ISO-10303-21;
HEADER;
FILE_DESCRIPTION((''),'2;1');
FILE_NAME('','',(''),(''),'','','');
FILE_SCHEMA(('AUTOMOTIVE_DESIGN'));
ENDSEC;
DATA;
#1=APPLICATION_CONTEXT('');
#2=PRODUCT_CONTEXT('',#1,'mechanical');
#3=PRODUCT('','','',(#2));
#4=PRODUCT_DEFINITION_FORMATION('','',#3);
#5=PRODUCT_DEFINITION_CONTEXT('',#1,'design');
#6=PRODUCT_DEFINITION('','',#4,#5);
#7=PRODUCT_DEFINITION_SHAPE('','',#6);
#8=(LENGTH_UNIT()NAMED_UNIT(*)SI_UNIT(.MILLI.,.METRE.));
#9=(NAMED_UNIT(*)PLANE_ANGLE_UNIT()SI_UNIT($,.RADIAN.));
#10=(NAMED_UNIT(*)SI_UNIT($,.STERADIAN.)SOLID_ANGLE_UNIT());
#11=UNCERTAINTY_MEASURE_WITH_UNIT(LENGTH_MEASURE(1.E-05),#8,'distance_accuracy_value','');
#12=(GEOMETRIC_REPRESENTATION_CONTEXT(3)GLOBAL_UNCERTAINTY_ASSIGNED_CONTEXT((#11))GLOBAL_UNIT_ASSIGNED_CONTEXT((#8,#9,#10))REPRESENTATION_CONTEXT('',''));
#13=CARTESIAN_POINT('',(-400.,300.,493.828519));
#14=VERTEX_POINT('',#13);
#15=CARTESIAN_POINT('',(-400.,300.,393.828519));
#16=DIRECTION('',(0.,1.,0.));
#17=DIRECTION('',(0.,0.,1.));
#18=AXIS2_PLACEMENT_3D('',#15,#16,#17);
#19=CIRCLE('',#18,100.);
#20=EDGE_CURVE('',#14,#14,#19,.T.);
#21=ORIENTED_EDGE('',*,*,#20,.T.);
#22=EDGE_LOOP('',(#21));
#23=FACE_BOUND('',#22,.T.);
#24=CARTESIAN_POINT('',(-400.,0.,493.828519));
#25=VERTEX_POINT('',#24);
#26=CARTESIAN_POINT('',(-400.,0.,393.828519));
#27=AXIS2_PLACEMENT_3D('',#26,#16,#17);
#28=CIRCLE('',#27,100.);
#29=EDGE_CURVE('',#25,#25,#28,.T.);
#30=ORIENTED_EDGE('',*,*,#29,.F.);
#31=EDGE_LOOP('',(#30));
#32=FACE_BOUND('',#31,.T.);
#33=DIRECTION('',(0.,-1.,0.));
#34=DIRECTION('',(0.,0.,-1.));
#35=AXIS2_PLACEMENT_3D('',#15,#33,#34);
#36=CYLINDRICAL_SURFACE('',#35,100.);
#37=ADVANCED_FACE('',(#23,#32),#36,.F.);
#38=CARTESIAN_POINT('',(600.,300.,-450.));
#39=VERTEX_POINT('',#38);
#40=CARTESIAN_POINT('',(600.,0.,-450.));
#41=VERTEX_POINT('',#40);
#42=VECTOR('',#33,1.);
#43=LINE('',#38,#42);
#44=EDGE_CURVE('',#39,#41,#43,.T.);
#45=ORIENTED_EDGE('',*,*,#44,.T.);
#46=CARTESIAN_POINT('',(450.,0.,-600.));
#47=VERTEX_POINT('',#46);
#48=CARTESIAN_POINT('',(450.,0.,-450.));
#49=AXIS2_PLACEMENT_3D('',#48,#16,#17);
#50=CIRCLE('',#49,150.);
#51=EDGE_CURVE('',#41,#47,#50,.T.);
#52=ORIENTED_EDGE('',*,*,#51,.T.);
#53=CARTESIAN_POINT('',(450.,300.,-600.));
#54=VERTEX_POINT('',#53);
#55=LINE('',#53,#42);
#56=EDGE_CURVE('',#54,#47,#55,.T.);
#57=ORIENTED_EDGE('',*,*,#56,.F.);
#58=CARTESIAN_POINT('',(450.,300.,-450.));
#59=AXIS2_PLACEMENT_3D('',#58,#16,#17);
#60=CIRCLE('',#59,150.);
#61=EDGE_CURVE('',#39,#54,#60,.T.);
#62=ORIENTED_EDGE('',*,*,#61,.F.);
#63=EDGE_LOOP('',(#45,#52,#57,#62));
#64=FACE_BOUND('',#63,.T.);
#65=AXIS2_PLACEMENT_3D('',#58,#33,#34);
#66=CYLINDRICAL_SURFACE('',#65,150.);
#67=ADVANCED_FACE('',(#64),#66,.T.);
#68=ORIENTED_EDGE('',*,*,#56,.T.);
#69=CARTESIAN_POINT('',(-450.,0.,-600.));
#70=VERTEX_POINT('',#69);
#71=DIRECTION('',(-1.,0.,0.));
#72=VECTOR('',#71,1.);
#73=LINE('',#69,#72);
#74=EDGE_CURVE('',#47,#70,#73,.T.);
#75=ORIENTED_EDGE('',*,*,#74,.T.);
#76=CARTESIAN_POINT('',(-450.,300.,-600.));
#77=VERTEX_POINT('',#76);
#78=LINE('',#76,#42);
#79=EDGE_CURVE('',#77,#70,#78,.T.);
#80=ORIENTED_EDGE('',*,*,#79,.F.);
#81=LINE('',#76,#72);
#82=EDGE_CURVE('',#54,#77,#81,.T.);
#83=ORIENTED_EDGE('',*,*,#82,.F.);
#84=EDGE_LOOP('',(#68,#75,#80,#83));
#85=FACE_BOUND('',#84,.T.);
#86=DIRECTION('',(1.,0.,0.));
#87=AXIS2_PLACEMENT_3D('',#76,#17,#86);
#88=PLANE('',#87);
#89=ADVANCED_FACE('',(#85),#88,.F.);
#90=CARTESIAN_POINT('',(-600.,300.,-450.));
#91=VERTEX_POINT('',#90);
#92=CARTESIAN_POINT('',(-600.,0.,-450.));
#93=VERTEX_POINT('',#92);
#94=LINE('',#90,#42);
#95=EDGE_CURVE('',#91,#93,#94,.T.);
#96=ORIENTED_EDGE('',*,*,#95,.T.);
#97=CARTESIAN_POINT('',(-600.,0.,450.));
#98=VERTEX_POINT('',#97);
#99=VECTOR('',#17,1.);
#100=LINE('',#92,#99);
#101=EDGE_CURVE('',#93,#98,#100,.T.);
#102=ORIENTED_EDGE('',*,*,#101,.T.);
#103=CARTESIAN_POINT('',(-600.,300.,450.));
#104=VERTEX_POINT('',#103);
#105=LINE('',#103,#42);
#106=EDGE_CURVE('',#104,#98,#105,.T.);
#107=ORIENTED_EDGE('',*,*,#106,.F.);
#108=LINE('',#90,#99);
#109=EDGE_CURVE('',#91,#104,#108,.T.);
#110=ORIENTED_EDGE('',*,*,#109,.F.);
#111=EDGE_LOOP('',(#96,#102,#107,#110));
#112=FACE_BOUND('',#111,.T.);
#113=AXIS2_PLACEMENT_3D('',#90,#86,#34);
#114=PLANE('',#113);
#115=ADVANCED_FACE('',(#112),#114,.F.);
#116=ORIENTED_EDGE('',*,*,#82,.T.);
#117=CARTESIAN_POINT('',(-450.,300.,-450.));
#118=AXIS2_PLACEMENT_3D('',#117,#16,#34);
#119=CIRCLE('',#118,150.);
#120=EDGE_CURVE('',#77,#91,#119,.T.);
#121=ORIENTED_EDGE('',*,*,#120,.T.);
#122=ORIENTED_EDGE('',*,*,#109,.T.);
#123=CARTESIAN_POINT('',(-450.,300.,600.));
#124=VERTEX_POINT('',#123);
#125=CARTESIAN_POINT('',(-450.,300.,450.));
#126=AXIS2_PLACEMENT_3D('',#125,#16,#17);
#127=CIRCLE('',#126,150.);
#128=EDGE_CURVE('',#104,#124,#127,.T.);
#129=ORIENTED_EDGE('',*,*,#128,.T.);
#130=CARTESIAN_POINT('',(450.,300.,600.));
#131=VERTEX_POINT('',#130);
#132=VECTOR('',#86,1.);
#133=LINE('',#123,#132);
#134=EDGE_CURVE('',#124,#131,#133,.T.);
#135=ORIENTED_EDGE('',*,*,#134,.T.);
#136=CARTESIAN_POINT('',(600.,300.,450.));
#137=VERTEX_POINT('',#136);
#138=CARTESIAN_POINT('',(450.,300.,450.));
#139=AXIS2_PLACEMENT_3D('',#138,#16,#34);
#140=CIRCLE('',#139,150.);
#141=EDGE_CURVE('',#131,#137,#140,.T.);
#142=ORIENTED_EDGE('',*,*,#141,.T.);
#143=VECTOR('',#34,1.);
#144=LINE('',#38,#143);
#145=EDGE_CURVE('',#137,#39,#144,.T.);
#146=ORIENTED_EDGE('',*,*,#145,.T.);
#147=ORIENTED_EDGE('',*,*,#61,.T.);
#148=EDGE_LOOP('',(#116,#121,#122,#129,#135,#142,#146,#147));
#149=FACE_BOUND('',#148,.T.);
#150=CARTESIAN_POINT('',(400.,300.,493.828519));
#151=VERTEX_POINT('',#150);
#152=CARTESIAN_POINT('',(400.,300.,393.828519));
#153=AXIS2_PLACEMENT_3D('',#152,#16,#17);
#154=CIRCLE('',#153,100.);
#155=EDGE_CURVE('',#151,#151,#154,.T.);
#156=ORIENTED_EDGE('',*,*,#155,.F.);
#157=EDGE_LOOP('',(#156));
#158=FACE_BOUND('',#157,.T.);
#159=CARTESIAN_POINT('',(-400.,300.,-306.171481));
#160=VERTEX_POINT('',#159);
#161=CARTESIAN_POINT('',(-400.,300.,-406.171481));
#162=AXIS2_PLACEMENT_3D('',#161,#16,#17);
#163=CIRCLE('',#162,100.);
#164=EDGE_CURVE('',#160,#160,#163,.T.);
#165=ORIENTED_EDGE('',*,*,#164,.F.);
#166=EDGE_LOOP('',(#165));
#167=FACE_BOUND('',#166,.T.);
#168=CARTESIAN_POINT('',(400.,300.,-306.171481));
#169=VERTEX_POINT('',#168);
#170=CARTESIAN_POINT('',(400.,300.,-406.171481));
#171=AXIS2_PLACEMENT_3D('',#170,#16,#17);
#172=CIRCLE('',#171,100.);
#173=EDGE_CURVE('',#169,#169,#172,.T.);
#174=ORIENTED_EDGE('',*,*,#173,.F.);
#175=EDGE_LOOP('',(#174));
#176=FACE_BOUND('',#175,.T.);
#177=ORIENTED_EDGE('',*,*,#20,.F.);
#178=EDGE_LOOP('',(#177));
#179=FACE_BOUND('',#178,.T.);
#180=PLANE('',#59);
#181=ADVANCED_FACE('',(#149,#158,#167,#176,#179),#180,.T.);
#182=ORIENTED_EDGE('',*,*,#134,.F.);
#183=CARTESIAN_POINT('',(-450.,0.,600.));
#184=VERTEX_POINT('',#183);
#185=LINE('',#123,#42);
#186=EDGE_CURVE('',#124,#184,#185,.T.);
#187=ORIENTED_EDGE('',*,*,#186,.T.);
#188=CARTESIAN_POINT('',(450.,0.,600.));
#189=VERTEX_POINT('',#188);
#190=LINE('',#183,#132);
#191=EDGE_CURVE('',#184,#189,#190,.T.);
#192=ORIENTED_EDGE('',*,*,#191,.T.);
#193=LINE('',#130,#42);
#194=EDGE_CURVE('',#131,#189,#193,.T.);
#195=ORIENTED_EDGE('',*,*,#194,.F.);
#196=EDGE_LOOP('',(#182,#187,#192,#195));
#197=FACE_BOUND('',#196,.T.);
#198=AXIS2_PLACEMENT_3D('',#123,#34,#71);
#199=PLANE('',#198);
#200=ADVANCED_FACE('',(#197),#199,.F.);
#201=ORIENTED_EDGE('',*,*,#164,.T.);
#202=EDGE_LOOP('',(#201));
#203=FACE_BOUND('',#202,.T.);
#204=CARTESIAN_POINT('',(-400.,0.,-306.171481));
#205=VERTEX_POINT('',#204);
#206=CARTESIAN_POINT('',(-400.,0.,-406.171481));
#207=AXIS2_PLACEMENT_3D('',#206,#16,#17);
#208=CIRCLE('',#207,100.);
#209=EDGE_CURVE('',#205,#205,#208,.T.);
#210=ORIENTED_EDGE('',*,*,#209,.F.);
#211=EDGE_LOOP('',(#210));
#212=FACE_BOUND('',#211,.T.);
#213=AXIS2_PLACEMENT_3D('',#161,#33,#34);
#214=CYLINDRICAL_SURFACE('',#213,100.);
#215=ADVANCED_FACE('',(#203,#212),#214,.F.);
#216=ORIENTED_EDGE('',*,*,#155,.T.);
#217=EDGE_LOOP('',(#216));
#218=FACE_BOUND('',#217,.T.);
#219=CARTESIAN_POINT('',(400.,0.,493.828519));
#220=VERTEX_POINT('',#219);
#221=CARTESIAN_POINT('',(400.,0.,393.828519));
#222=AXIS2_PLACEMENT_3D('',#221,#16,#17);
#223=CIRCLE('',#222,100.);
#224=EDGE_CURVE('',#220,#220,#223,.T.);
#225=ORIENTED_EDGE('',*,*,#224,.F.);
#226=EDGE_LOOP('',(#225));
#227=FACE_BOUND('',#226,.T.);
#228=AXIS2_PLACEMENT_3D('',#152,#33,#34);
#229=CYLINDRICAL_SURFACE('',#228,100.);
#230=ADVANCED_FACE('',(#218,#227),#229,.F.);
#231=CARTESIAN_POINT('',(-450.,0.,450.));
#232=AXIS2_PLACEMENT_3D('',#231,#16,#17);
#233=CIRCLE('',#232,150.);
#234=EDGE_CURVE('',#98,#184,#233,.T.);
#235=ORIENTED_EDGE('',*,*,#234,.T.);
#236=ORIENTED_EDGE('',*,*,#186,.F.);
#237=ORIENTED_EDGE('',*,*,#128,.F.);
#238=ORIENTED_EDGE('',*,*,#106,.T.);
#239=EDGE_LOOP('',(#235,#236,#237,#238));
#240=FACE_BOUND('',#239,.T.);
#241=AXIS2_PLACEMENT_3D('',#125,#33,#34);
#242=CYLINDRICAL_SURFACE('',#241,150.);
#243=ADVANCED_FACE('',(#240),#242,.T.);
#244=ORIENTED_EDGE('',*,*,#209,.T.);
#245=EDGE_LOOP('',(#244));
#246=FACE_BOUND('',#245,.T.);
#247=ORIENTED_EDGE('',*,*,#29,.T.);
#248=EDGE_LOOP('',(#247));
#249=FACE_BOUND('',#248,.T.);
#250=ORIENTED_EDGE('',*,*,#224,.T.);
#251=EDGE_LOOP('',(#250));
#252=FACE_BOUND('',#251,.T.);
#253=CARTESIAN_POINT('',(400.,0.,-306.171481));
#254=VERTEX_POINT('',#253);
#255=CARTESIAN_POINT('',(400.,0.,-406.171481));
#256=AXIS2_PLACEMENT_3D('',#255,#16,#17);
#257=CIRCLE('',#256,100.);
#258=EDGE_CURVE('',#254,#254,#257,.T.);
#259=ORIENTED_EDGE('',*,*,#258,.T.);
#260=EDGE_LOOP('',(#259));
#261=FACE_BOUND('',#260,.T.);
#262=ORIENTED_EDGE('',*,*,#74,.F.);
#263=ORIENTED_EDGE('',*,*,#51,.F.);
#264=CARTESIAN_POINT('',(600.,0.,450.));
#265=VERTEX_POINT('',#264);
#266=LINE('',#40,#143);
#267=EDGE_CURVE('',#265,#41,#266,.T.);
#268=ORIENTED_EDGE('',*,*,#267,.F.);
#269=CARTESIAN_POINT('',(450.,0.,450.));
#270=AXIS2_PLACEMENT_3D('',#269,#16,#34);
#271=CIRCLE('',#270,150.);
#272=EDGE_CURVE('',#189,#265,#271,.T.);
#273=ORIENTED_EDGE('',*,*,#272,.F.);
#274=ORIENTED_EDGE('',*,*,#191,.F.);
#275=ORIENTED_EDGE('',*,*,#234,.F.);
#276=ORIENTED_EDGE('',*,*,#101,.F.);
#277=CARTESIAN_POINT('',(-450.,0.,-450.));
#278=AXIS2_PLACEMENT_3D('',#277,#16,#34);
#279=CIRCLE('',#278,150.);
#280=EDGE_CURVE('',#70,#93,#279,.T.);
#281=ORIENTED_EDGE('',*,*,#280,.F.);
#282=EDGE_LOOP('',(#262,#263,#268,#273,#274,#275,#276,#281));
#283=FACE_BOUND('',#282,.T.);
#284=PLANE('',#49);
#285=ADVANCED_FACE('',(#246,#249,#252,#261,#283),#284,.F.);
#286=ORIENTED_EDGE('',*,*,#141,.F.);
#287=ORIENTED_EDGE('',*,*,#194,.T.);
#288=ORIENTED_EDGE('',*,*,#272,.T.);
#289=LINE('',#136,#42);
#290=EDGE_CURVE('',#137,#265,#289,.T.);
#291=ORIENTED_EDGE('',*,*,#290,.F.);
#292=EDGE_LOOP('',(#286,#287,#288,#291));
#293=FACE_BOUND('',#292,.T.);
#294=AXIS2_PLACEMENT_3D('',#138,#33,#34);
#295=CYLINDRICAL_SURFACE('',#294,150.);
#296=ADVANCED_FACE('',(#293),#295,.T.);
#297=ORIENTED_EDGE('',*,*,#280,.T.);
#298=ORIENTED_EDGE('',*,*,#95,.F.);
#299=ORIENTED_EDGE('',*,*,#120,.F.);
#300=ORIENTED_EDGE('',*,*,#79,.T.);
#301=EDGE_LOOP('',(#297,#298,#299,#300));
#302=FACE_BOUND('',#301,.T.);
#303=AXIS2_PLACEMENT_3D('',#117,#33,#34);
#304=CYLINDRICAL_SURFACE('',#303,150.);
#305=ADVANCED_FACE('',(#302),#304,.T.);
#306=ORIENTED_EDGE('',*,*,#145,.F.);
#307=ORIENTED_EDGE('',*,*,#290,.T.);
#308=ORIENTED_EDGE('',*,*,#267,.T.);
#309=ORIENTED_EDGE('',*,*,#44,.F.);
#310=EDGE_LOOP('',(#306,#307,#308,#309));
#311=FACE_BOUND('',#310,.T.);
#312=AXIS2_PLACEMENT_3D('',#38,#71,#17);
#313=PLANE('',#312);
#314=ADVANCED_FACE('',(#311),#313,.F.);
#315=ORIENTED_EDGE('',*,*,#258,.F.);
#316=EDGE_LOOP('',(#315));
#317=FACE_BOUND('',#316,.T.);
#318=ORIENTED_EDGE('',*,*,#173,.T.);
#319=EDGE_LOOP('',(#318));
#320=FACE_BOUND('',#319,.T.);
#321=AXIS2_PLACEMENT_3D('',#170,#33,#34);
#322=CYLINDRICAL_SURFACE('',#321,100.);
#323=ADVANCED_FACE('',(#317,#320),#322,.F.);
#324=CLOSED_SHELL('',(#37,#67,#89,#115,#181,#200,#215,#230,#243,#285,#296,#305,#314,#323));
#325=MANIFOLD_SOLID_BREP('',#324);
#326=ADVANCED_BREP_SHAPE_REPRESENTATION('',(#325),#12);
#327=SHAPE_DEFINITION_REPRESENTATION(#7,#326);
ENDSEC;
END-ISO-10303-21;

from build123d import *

# Parameters (mm, degrees)
IZIM1_R                     = 100
Y_KSEKLIK_EKSTR_ZYON1_DEPTH = 300


with BuildPart() as part:
    # Çizim1 → Yükseklik-Ekstrüzyon1 (new body)
    with BuildSketch(Plane(origin=(0, 0, 0), x_dir=(1, 0, 0), z_dir=(0, 1, 0))):
        with BuildLine():
            Line((-450, 600), (450, 600))
            ThreePointArc((450, 600), (556.066017178, 556.066017178), (600, 450))
            Line((600, 450), (600, -450))
            ThreePointArc((600, -450), (556.066017178, -556.066017178), (450, -600))
            Line((450, -600), (-450, -600))
            ThreePointArc((-450, -600), (-556.066017178, -556.066017178), (-600, -450))
            Line((-600, -450), (-600, 450))
            ThreePointArc((-600, 450), (-556.066017178, 556.066017178), (-450, 600))
        make_face()
        with Locations((-400, 406.171481212)):
            Circle(IZIM1_R, mode=Mode.SUBTRACT)
        with Locations((400, 406.171481212)):
            Circle(IZIM1_R, mode=Mode.SUBTRACT)
        with Locations((-400, -393.828518788)):
            Circle(IZIM1_R, mode=Mode.SUBTRACT)
        with Locations((400, -393.828518788)):
            Circle(IZIM1_R, mode=Mode.SUBTRACT)
    extrude(amount=Y_KSEKLIK_EKSTR_ZYON1_DEPTH)


solid = part.part
